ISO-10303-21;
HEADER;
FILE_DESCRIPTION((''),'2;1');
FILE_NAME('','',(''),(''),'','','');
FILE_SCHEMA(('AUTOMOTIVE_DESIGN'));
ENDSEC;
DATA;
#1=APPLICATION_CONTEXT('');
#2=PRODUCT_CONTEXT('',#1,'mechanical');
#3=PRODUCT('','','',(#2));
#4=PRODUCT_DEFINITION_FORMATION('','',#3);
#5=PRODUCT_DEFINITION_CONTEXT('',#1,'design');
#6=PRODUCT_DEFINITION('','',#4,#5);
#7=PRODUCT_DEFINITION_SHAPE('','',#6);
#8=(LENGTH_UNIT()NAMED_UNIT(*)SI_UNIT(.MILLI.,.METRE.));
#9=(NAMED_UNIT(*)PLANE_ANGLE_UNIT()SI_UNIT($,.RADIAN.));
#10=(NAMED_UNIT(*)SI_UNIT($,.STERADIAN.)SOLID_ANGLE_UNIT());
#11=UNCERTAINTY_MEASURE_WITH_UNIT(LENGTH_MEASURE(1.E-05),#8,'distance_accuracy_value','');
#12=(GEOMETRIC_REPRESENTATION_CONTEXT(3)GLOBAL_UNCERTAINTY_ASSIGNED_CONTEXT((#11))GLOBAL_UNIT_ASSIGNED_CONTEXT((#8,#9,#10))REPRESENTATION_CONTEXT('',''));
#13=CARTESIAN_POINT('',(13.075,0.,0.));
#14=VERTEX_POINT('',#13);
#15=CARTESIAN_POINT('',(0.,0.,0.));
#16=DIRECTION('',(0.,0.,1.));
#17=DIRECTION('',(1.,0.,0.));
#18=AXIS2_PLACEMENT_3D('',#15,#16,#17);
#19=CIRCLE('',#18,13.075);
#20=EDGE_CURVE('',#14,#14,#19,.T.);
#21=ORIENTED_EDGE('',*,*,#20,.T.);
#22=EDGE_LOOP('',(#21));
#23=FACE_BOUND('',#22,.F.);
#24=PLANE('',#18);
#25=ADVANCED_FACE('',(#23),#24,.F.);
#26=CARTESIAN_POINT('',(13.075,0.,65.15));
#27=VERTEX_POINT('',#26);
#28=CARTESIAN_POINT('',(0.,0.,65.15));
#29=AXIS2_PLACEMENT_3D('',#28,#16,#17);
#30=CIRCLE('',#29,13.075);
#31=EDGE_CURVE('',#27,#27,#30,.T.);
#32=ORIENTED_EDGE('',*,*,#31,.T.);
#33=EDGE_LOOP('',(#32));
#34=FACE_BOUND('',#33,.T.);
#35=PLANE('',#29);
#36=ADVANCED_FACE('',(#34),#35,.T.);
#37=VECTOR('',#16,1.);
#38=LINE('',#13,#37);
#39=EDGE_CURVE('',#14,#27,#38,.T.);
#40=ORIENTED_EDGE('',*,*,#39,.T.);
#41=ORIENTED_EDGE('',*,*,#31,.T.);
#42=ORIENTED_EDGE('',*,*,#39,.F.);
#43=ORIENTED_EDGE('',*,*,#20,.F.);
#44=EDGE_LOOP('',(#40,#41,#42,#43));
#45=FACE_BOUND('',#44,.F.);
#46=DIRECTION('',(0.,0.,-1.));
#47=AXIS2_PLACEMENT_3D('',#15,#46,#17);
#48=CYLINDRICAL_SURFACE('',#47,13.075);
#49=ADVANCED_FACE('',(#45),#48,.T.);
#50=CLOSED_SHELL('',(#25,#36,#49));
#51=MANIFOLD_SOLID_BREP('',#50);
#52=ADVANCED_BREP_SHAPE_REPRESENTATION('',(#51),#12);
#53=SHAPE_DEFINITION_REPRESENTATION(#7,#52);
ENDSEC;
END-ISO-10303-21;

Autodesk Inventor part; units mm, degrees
ref_plane "YZ Plane" through (0, 0, 0) normal (1, 0, 0) x (0, 1, 0)
ref_plane "XZ Plane" through (0, 0, 0) normal (0, 1, 0) x (-1, 0, 0)
ref_plane "XY Plane" through (0, 0, 0) normal (0, 0, 1) x (1, 0, 0)
sketch "Sketch1" plane through (0, 0, 0) normal (0, 0, 1) x (1, 0, 0)
  circle A0 centre (0, 0) radius 13.075
  dimension "d0" = 26.15
extrude "Extrusion1" add sketch "Sketch1" along normal blind 65.15
properties part number "26650"
